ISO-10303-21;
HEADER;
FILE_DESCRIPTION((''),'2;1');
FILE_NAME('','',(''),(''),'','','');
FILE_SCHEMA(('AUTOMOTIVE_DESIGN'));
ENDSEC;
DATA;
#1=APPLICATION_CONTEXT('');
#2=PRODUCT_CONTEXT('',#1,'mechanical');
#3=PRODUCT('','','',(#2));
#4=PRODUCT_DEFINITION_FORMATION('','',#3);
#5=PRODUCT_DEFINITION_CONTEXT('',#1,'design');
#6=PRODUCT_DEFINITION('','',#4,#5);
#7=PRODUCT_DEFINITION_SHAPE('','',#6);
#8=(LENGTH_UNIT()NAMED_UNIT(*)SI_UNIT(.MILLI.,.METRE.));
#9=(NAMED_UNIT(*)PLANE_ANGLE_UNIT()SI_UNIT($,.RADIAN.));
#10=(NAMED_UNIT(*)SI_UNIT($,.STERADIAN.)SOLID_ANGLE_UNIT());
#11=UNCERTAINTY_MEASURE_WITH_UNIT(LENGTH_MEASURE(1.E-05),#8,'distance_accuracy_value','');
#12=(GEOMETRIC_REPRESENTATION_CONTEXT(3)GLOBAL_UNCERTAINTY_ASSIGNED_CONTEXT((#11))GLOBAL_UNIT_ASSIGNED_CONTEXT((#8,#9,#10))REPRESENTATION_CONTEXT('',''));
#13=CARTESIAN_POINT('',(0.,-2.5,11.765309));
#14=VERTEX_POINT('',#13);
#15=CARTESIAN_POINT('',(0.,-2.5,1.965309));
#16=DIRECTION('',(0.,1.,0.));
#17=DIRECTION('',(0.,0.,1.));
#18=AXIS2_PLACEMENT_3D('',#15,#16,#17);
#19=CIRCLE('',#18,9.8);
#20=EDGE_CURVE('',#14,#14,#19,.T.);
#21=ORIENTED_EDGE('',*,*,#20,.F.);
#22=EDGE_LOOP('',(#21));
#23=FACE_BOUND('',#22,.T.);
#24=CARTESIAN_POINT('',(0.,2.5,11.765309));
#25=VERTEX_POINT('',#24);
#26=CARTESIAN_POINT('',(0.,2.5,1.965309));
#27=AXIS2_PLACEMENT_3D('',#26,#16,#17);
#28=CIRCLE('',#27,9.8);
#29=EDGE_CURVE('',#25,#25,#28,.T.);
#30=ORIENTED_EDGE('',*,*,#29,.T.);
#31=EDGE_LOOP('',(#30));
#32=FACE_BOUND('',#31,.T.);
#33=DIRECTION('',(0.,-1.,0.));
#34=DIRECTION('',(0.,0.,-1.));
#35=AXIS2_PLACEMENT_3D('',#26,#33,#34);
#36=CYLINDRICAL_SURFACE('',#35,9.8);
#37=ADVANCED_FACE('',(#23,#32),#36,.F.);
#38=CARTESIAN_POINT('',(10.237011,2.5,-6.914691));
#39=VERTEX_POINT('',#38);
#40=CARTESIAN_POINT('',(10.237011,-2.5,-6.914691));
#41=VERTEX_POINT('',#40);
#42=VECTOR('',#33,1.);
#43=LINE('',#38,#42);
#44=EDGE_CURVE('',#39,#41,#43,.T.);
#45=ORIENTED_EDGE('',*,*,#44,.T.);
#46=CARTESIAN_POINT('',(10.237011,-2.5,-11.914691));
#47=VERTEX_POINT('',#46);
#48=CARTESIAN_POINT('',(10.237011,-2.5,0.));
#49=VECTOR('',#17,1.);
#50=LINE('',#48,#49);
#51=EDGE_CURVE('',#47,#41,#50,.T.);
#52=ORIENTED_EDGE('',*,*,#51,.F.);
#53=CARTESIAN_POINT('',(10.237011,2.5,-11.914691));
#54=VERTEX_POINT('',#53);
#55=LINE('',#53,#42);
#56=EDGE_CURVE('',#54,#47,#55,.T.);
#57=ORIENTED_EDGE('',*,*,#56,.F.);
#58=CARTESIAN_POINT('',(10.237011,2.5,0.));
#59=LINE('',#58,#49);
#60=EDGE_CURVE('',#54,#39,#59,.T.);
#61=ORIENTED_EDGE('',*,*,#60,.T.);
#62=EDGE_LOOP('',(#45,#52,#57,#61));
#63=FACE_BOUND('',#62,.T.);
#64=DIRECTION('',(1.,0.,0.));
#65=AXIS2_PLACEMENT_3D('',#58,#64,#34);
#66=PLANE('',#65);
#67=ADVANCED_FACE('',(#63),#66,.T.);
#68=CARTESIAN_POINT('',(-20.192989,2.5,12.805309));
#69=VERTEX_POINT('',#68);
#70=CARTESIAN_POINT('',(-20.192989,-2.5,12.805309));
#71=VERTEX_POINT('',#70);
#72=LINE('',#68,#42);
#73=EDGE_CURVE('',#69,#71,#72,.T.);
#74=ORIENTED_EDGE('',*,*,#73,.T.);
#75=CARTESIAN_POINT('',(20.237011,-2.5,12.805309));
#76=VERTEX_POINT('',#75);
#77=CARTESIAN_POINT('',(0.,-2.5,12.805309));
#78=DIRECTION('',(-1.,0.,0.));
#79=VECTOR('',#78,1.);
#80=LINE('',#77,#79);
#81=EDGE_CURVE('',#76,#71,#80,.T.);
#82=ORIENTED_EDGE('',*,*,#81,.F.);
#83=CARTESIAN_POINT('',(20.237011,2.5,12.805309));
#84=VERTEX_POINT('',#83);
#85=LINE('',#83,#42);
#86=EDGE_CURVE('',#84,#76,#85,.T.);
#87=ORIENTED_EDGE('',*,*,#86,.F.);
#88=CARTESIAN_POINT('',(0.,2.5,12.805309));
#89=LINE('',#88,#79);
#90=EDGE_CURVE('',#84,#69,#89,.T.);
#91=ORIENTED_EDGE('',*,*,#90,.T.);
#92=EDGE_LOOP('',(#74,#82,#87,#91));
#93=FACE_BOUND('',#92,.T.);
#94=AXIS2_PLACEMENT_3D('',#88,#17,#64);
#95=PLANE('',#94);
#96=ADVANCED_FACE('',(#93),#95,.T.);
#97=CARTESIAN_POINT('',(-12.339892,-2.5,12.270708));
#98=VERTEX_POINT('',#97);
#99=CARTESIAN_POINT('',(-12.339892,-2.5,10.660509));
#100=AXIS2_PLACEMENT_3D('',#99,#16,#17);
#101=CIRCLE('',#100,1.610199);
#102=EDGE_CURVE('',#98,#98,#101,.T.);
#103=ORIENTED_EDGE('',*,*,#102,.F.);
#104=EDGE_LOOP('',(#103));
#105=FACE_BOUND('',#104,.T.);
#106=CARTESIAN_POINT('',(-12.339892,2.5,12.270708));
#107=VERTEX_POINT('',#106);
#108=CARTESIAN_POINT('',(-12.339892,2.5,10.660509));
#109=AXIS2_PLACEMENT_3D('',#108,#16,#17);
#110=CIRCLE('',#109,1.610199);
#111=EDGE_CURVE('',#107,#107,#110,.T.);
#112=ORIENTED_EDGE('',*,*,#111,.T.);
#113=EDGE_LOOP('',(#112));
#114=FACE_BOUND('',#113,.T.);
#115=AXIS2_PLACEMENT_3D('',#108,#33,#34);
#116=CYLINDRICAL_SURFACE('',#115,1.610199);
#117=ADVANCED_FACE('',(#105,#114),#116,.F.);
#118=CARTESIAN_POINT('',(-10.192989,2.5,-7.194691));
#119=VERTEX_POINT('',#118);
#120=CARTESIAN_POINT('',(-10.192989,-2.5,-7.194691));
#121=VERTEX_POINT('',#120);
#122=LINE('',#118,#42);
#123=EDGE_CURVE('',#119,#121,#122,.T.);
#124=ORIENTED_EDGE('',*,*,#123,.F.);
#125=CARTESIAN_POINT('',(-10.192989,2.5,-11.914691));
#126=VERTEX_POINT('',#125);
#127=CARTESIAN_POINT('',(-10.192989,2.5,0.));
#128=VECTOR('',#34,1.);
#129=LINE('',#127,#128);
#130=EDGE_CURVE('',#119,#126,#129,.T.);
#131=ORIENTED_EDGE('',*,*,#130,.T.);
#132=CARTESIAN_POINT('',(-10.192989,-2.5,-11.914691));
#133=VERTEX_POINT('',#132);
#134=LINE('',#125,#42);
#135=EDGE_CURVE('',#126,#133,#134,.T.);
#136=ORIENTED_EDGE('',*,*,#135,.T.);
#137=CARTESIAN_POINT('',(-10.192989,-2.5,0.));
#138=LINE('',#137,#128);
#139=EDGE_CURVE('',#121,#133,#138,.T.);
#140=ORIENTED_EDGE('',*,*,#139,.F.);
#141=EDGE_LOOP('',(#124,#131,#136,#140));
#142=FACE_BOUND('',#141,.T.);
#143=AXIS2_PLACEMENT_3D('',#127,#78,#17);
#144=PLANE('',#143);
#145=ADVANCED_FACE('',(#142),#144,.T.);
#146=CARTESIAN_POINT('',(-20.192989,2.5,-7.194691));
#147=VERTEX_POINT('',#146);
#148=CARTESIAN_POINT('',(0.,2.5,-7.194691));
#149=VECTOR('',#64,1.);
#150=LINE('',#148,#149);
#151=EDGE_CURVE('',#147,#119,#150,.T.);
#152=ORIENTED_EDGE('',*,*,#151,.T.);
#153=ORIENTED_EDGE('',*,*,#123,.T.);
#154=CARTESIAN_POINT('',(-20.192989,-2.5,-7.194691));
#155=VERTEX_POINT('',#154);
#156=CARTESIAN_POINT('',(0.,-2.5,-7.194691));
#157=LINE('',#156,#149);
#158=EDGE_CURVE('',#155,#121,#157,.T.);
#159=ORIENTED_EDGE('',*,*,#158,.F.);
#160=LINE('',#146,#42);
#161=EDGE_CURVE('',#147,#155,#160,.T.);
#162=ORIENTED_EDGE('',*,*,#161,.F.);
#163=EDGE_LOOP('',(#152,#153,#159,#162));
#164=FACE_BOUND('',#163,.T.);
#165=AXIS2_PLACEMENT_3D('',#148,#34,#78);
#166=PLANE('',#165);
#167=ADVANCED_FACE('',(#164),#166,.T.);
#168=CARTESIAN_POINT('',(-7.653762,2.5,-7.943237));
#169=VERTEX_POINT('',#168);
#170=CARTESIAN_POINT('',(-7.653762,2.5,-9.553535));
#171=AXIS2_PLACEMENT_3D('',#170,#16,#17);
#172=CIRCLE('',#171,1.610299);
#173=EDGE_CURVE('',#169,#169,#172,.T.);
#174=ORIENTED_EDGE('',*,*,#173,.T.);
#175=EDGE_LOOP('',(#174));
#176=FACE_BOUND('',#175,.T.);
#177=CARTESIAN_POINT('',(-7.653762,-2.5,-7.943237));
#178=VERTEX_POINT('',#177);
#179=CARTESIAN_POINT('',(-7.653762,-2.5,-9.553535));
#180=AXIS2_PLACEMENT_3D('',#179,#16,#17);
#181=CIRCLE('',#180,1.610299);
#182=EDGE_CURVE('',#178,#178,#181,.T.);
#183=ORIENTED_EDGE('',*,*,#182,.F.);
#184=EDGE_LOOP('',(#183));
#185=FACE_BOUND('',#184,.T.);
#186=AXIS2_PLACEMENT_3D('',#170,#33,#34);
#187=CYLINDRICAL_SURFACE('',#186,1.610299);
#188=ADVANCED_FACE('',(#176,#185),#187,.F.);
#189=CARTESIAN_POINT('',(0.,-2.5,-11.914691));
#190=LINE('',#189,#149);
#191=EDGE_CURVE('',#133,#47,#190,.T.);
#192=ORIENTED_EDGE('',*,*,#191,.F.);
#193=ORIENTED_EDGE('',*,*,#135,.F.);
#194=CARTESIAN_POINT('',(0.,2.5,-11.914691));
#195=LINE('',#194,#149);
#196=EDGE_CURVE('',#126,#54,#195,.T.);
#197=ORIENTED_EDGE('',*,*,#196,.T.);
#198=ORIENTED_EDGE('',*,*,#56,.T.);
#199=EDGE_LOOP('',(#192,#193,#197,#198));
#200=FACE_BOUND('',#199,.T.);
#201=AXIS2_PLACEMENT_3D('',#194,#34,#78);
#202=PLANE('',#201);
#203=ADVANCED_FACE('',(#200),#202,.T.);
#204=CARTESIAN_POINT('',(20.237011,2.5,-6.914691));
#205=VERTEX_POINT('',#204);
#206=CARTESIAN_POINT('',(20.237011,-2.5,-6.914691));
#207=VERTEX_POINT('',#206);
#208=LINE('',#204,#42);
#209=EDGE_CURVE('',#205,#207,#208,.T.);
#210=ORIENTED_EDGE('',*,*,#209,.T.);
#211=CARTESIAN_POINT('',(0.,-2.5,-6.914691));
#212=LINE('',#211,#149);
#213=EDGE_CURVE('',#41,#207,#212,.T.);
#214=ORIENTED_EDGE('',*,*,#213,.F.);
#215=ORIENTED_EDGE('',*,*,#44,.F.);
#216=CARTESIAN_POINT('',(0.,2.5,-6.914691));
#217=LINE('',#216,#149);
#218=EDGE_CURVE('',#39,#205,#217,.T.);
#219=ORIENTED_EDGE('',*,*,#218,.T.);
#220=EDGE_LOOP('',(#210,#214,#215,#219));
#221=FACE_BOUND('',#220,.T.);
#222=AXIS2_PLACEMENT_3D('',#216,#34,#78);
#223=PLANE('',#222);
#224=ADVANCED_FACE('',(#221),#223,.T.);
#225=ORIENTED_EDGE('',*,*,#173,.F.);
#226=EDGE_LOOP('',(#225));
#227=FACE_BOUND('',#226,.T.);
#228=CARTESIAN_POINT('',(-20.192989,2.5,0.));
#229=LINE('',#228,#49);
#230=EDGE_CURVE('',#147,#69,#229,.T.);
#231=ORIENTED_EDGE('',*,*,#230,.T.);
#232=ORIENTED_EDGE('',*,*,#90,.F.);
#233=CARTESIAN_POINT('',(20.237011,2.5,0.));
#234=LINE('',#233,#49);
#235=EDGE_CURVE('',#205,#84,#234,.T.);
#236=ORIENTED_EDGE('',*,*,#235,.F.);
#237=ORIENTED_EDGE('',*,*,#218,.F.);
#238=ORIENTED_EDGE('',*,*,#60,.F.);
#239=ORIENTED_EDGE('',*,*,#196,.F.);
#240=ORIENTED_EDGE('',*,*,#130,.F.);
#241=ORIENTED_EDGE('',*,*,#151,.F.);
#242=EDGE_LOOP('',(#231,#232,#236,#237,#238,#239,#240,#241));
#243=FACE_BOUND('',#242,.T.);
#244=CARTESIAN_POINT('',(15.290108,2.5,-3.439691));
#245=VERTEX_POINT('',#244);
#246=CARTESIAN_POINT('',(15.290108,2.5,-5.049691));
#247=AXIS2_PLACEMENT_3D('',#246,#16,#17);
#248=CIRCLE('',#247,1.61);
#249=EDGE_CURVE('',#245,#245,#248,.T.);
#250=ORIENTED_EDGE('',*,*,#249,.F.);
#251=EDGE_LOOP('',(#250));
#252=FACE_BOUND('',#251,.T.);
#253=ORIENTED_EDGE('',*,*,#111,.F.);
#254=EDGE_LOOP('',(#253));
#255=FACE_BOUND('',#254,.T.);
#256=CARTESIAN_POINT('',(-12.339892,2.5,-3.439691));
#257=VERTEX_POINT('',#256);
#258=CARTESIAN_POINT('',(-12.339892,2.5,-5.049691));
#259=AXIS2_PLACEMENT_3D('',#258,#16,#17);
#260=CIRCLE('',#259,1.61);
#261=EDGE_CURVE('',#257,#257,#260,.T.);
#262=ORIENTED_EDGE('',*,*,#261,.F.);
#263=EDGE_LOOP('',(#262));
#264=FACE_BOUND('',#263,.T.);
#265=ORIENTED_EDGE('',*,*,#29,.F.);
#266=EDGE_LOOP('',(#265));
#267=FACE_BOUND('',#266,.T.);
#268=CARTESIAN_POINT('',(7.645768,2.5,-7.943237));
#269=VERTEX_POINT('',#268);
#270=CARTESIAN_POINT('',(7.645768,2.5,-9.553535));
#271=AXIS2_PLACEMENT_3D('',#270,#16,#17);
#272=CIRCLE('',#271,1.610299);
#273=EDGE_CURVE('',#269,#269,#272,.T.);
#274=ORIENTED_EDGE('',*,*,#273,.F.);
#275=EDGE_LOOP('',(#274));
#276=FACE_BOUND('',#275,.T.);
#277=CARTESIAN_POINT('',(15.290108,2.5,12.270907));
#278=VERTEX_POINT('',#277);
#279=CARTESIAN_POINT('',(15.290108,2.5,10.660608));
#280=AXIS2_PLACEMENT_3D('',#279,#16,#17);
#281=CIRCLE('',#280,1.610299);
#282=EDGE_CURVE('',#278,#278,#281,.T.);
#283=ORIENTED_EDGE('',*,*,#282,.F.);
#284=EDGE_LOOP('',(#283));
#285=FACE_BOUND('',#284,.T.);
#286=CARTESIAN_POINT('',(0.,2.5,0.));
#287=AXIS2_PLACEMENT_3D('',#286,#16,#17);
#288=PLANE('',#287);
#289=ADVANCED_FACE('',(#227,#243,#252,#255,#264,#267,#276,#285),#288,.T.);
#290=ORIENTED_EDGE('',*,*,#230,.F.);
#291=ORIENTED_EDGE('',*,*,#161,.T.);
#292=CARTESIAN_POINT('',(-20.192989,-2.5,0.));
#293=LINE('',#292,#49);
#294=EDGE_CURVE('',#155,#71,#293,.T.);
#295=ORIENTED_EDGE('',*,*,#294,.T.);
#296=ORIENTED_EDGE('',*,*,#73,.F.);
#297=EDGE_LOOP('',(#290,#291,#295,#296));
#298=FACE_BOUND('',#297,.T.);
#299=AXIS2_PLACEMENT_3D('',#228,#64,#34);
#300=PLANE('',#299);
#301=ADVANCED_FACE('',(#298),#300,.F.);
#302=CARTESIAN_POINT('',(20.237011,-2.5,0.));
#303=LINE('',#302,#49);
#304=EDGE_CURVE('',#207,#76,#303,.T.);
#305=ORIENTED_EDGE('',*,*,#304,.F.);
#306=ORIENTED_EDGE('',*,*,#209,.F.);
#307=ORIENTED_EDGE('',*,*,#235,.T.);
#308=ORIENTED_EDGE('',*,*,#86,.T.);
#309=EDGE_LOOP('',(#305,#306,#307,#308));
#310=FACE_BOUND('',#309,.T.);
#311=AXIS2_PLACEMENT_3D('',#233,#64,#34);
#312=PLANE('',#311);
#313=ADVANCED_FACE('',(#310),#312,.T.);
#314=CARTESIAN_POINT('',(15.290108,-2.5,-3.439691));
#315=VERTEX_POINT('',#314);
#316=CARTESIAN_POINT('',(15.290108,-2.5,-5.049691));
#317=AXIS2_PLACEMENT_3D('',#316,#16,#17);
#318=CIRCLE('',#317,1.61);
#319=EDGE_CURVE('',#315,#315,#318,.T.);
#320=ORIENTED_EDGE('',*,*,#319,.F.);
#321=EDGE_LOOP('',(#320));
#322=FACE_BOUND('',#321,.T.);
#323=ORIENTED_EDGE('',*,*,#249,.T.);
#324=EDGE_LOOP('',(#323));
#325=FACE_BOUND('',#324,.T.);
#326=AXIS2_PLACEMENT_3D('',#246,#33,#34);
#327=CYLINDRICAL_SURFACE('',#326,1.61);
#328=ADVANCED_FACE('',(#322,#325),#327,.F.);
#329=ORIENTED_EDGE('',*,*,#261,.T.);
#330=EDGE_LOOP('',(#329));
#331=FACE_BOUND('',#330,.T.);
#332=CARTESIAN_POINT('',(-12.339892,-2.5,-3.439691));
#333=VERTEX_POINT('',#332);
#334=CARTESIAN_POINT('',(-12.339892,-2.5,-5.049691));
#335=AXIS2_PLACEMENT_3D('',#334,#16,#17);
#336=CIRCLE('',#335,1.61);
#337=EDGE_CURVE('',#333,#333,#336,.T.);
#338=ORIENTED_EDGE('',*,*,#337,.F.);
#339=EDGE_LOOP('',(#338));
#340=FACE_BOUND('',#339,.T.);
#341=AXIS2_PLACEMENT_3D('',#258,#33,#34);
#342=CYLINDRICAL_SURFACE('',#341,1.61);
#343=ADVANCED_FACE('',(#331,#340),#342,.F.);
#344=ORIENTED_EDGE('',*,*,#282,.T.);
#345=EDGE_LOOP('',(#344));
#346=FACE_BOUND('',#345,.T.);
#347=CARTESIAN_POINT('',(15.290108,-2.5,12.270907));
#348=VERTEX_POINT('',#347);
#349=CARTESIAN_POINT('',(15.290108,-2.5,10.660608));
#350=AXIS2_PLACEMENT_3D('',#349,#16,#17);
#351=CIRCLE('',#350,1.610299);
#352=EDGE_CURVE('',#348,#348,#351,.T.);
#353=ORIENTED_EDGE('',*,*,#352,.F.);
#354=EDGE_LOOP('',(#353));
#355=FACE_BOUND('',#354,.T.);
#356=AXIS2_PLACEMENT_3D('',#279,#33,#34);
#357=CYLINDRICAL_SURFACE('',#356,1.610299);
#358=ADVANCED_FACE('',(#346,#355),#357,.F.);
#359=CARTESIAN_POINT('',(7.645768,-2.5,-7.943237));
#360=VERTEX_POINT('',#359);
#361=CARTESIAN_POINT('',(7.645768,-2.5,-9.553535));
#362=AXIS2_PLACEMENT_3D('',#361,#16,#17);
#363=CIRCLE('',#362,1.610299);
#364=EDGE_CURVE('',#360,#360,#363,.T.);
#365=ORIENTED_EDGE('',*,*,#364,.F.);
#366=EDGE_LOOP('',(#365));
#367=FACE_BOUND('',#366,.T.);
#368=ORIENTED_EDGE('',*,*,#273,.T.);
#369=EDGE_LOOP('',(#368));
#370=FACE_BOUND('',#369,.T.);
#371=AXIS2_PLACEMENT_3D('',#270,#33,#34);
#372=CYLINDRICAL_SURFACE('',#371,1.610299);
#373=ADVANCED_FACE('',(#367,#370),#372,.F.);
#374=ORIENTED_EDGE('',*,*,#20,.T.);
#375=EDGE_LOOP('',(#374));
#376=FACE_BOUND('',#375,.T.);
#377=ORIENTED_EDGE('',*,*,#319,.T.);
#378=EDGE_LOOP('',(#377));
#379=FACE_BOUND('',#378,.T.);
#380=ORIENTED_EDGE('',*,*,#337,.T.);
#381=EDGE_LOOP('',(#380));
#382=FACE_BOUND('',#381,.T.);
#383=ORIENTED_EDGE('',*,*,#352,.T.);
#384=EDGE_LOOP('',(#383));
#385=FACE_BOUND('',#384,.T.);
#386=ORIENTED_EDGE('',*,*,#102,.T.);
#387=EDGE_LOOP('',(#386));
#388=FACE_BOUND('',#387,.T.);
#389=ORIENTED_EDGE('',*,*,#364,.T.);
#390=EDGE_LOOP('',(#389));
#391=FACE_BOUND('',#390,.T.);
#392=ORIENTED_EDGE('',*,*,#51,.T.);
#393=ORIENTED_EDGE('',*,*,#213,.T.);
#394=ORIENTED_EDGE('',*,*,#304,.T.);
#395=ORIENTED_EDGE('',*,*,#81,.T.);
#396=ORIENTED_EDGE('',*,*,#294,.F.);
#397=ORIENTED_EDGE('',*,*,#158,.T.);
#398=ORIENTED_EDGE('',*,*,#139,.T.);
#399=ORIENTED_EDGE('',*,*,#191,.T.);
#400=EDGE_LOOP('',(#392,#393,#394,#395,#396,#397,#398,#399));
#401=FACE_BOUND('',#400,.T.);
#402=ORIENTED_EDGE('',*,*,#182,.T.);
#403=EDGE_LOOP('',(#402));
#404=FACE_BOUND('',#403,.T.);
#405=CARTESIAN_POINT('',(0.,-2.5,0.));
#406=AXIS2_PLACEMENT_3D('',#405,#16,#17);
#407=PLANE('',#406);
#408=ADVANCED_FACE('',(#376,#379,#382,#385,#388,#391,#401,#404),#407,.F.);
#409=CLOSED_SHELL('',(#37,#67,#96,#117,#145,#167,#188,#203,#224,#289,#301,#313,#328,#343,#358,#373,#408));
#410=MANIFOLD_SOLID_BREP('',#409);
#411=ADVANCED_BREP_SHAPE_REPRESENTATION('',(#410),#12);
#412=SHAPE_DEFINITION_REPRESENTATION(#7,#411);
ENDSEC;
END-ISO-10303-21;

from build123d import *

# Parameters (mm, degrees)
CROQUIS1_R              = 9.8
CROQUIS1_R_2            = 1.61
CROQUIS1_R_3            = 1.610199264
CROQUIS1_R_4            = 1.610298895
SALIENTE_EXTRUIR2_DEPTH = 2.5


with BuildPart() as part:
    # Croquis1 → Saliente-Extruir2 (new, symmetric)
    with BuildSketch(Plane(origin=(0, 0, 0), x_dir=(1, 0, 0), z_dir=(0, 1, 0))):
        Polygon((-20.192989013, 7.194690523), (-10.192989013, 7.194690523), (-10.192989013, 11.914690523), (10.237010987, 11.914690523), (10.237010987, 6.914690523), (20.237010987, 6.914690523), (20.237010987, -12.805309477), (-20.192989013, -12.805309477), align=None)
        with Locations(Location((0, -1.965309477, 0), (0, 0, 270))):
            Circle(CROQUIS1_R, mode=Mode.SUBTRACT)
        with Locations(Location((-12.339891833, 5.049690523, 0), (0, 0, 270))):
            Circle(CROQUIS1_R_2, mode=Mode.SUBTRACT)
        with Locations(Location((-12.339891833, -10.660508741, 0), (0, 0, 270))):
            Circle(CROQUIS1_R_3, mode=Mode.SUBTRACT)
        with Locations(Location((15.290108167, 5.049690523, 0), (0, 0, 270))):
            Circle(CROQUIS1_R_2, mode=Mode.SUBTRACT)
        with Locations(Location((15.290108167, -10.660608373, 0), (0, 0, 270))):
            Circle(CROQUIS1_R_4, mode=Mode.SUBTRACT)
        with Locations(Location((-7.653762012, 9.553535498, 0), (0, 0, 270))):
            Circle(CROQUIS1_R_4, mode=Mode.SUBTRACT)
        with Locations(Location((7.645768396, 9.553535498, 0), (0, 0, 270))):
            Circle(CROQUIS1_R_4, mode=Mode.SUBTRACT)
    extrude(amount=SALIENTE_EXTRUIR2_DEPTH, both=True)


solid = part.part
